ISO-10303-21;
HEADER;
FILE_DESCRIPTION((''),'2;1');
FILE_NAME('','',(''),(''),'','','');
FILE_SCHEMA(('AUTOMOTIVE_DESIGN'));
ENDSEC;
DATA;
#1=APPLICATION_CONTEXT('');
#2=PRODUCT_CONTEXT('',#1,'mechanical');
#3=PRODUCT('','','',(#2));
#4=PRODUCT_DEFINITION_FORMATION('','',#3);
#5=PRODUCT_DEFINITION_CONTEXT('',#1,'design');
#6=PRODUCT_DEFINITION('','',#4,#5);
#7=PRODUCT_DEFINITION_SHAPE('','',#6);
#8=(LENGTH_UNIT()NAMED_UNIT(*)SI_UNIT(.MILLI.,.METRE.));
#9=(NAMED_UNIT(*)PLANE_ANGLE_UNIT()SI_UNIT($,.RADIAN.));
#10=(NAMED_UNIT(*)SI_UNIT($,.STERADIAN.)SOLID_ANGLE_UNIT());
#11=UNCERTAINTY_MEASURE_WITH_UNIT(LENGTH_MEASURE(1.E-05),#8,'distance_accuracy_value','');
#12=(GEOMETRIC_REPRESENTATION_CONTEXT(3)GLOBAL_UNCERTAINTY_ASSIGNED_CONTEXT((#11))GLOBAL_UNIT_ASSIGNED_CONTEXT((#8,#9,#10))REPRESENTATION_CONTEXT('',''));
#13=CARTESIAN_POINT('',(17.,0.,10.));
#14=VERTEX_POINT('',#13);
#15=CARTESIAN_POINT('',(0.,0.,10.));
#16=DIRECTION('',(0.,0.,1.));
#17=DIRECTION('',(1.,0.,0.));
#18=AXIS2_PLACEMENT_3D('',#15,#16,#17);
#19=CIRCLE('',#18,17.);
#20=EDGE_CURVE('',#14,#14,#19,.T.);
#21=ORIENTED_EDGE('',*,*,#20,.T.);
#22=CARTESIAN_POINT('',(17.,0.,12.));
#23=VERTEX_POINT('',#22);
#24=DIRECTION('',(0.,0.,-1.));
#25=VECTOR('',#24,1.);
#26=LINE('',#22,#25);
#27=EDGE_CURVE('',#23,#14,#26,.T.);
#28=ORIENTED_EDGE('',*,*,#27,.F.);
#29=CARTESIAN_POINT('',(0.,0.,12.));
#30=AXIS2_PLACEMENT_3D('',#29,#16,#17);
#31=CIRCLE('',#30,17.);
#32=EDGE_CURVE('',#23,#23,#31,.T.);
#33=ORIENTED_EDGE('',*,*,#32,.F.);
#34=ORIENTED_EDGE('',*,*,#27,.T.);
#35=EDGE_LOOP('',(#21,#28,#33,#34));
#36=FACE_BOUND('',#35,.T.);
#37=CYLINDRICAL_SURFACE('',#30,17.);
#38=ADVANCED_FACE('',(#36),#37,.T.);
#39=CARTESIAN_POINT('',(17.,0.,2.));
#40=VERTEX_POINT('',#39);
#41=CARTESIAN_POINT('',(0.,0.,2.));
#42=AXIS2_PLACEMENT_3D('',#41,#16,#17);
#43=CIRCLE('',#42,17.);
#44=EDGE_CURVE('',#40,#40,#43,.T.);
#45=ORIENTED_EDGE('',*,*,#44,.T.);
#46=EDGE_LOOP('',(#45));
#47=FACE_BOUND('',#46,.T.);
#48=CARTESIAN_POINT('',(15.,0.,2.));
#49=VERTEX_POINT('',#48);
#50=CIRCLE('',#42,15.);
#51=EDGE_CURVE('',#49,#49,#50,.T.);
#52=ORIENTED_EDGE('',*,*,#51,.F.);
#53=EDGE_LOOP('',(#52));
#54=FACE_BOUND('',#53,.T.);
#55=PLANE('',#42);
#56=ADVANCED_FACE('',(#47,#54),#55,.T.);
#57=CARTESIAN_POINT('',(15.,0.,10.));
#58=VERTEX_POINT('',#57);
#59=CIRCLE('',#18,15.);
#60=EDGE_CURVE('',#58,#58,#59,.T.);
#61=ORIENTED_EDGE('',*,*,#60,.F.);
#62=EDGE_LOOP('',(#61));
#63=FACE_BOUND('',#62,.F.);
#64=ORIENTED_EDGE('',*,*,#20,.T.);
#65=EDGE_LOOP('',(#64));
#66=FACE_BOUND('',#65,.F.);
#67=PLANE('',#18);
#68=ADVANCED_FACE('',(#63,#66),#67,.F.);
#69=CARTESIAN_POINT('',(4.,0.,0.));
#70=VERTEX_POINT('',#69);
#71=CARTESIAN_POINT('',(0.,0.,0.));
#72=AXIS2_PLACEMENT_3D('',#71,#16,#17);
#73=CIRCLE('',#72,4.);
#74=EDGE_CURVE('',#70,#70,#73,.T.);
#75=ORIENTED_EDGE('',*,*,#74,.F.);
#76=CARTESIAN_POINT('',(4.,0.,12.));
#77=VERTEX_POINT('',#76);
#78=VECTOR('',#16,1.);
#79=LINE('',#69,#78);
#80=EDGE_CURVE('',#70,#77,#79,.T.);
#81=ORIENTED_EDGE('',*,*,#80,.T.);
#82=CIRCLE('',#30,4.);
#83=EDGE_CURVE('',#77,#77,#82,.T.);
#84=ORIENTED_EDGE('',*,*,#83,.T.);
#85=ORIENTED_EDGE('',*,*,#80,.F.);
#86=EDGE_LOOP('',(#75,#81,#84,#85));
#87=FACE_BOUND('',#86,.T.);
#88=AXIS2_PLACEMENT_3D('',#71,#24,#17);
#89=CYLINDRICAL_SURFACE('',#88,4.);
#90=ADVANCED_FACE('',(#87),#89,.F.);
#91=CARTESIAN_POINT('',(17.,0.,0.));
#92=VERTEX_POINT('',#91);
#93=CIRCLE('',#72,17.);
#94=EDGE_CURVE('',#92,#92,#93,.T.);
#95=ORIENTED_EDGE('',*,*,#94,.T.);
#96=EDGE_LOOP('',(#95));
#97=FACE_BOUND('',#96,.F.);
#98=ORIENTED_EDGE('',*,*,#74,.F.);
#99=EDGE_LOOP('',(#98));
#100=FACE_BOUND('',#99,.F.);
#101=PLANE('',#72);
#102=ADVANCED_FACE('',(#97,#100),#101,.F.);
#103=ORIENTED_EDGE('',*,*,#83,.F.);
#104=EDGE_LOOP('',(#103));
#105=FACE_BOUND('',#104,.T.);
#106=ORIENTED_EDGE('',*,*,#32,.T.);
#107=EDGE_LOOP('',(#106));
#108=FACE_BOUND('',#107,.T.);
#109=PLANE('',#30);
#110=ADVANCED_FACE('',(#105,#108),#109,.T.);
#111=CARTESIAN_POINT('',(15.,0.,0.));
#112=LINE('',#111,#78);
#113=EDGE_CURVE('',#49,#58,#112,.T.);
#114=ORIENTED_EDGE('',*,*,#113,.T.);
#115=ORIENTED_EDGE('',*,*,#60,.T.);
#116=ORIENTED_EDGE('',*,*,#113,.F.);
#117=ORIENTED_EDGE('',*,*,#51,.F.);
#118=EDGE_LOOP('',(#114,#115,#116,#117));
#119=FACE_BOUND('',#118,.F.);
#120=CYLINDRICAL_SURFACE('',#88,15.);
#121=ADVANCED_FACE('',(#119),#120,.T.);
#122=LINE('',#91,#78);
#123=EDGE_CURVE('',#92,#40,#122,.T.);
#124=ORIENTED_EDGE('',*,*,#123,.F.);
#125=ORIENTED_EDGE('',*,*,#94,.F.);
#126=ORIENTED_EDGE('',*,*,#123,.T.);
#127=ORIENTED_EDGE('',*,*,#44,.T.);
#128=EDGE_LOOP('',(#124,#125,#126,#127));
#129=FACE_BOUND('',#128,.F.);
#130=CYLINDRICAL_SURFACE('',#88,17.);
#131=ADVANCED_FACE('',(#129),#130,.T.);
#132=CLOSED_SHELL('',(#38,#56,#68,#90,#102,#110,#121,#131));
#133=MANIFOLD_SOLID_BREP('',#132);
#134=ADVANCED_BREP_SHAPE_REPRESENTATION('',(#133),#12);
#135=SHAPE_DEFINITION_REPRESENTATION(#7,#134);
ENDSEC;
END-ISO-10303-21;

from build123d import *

# Parameters (mm, degrees)
F0_R     = 15
F0_R_2   = 4
F1_DEPTH = 12
F0_R_3   = 17
F2_DEPTH = 2
F3_R     = 17
F3_R_2   = 15
F4_DEPTH = 2


with BuildPart() as f1:
    # F0 (on Top) → F1 (new body)
    with BuildSketch(Plane.XY):
        Circle(F0_R)
        Circle(F0_R_2, mode=Mode.SUBTRACT)
    extrude(amount=F1_DEPTH)

    # F0 (on Top) → F2 (join)
    with BuildSketch(Plane.XY):
        Circle(F0_R_3)
        Circle(F0_R, mode=Mode.SUBTRACT)
    extrude(amount=F2_DEPTH)

    # F3 (on face) → F4 (join)
    with BuildSketch(Plane.XY.offset(12)):
        Circle(F3_R)
        Circle(F3_R_2, mode=Mode.SUBTRACT)
    extrude(amount=-F4_DEPTH)


solid = f1.part
